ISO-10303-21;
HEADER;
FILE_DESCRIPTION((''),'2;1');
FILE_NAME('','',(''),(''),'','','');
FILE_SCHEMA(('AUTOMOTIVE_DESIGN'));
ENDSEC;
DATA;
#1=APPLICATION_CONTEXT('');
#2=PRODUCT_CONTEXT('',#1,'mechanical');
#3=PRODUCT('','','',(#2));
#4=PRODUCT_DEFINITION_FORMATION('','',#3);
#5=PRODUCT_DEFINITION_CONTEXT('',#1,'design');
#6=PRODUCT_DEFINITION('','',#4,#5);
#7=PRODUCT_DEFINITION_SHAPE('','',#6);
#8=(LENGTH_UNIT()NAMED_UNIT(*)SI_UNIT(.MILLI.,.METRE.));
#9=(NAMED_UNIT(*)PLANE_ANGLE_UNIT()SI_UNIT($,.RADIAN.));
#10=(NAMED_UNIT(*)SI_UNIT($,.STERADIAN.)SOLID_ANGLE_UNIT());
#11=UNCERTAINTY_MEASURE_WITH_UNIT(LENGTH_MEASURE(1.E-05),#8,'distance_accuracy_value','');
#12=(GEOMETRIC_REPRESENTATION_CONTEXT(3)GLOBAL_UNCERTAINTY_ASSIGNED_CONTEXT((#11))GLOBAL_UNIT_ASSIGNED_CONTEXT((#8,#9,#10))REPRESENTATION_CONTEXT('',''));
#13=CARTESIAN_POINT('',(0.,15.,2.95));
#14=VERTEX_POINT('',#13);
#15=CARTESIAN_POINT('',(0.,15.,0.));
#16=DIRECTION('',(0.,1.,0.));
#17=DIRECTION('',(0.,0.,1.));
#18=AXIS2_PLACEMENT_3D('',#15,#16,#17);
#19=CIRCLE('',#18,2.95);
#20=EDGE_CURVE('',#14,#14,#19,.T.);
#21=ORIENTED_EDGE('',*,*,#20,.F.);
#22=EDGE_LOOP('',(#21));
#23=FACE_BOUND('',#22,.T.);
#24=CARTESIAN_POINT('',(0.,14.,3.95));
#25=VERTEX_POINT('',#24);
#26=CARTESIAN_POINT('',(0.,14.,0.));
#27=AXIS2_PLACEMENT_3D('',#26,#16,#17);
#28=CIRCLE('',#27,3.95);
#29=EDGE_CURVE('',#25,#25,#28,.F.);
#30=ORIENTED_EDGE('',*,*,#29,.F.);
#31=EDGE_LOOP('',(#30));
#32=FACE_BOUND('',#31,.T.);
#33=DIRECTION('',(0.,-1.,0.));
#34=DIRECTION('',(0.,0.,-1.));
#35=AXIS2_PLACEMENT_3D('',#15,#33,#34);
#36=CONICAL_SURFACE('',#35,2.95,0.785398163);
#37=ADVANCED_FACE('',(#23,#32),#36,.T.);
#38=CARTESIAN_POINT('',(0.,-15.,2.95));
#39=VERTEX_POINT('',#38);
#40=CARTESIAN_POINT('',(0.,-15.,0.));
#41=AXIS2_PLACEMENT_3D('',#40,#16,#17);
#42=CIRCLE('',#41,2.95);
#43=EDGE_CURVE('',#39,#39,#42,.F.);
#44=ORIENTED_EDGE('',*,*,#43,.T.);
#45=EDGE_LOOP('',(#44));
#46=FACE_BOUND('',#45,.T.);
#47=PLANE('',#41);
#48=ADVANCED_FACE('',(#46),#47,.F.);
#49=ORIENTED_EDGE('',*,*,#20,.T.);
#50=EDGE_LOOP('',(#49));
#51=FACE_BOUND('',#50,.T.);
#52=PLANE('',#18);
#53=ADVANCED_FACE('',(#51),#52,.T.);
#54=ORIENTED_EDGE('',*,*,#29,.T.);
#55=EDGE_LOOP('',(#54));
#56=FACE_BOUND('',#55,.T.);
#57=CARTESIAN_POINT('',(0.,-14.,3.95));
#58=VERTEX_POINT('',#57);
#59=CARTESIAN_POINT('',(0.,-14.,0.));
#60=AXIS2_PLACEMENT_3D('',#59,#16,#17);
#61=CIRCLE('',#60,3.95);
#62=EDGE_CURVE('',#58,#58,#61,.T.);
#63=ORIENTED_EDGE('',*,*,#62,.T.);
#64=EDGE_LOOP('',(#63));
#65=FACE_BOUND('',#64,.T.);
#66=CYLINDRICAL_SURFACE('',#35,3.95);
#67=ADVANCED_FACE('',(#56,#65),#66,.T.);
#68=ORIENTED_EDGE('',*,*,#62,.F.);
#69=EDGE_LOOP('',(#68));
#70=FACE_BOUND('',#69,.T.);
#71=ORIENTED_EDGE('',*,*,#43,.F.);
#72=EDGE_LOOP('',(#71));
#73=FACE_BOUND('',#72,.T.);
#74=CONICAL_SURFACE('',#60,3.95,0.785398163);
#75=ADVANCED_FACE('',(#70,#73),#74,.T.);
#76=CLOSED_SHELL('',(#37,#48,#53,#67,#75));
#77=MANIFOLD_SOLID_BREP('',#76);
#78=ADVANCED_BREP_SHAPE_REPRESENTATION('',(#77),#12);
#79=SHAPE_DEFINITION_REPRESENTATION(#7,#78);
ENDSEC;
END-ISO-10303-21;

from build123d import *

# Parameters (mm, degrees)
SKETCH1_R           = 3.95
BOSS_EXTRUDE1_DEPTH = 15
CHAMFER1_SIZE       = 1


with BuildPart() as part:
    # Sketch1 → Boss-Extrude1 (new body, symmetric)
    with BuildSketch(Plane(origin=(0, 0, 0), x_dir=(1, 0, 0), z_dir=(0, 1, 0))):
        Circle(SKETCH1_R)
    extrude(amount=BOSS_EXTRUDE1_DEPTH, both=True)

    # Chamfer1
    chamfer1_edges = [part.edges().sort_by_distance(p)[0] for p in [
        (-3.95, -15, 0),
        (-3.95, 15, 0),
    ]]
    chamfer(chamfer1_edges, length=CHAMFER1_SIZE)


solid = part.part
